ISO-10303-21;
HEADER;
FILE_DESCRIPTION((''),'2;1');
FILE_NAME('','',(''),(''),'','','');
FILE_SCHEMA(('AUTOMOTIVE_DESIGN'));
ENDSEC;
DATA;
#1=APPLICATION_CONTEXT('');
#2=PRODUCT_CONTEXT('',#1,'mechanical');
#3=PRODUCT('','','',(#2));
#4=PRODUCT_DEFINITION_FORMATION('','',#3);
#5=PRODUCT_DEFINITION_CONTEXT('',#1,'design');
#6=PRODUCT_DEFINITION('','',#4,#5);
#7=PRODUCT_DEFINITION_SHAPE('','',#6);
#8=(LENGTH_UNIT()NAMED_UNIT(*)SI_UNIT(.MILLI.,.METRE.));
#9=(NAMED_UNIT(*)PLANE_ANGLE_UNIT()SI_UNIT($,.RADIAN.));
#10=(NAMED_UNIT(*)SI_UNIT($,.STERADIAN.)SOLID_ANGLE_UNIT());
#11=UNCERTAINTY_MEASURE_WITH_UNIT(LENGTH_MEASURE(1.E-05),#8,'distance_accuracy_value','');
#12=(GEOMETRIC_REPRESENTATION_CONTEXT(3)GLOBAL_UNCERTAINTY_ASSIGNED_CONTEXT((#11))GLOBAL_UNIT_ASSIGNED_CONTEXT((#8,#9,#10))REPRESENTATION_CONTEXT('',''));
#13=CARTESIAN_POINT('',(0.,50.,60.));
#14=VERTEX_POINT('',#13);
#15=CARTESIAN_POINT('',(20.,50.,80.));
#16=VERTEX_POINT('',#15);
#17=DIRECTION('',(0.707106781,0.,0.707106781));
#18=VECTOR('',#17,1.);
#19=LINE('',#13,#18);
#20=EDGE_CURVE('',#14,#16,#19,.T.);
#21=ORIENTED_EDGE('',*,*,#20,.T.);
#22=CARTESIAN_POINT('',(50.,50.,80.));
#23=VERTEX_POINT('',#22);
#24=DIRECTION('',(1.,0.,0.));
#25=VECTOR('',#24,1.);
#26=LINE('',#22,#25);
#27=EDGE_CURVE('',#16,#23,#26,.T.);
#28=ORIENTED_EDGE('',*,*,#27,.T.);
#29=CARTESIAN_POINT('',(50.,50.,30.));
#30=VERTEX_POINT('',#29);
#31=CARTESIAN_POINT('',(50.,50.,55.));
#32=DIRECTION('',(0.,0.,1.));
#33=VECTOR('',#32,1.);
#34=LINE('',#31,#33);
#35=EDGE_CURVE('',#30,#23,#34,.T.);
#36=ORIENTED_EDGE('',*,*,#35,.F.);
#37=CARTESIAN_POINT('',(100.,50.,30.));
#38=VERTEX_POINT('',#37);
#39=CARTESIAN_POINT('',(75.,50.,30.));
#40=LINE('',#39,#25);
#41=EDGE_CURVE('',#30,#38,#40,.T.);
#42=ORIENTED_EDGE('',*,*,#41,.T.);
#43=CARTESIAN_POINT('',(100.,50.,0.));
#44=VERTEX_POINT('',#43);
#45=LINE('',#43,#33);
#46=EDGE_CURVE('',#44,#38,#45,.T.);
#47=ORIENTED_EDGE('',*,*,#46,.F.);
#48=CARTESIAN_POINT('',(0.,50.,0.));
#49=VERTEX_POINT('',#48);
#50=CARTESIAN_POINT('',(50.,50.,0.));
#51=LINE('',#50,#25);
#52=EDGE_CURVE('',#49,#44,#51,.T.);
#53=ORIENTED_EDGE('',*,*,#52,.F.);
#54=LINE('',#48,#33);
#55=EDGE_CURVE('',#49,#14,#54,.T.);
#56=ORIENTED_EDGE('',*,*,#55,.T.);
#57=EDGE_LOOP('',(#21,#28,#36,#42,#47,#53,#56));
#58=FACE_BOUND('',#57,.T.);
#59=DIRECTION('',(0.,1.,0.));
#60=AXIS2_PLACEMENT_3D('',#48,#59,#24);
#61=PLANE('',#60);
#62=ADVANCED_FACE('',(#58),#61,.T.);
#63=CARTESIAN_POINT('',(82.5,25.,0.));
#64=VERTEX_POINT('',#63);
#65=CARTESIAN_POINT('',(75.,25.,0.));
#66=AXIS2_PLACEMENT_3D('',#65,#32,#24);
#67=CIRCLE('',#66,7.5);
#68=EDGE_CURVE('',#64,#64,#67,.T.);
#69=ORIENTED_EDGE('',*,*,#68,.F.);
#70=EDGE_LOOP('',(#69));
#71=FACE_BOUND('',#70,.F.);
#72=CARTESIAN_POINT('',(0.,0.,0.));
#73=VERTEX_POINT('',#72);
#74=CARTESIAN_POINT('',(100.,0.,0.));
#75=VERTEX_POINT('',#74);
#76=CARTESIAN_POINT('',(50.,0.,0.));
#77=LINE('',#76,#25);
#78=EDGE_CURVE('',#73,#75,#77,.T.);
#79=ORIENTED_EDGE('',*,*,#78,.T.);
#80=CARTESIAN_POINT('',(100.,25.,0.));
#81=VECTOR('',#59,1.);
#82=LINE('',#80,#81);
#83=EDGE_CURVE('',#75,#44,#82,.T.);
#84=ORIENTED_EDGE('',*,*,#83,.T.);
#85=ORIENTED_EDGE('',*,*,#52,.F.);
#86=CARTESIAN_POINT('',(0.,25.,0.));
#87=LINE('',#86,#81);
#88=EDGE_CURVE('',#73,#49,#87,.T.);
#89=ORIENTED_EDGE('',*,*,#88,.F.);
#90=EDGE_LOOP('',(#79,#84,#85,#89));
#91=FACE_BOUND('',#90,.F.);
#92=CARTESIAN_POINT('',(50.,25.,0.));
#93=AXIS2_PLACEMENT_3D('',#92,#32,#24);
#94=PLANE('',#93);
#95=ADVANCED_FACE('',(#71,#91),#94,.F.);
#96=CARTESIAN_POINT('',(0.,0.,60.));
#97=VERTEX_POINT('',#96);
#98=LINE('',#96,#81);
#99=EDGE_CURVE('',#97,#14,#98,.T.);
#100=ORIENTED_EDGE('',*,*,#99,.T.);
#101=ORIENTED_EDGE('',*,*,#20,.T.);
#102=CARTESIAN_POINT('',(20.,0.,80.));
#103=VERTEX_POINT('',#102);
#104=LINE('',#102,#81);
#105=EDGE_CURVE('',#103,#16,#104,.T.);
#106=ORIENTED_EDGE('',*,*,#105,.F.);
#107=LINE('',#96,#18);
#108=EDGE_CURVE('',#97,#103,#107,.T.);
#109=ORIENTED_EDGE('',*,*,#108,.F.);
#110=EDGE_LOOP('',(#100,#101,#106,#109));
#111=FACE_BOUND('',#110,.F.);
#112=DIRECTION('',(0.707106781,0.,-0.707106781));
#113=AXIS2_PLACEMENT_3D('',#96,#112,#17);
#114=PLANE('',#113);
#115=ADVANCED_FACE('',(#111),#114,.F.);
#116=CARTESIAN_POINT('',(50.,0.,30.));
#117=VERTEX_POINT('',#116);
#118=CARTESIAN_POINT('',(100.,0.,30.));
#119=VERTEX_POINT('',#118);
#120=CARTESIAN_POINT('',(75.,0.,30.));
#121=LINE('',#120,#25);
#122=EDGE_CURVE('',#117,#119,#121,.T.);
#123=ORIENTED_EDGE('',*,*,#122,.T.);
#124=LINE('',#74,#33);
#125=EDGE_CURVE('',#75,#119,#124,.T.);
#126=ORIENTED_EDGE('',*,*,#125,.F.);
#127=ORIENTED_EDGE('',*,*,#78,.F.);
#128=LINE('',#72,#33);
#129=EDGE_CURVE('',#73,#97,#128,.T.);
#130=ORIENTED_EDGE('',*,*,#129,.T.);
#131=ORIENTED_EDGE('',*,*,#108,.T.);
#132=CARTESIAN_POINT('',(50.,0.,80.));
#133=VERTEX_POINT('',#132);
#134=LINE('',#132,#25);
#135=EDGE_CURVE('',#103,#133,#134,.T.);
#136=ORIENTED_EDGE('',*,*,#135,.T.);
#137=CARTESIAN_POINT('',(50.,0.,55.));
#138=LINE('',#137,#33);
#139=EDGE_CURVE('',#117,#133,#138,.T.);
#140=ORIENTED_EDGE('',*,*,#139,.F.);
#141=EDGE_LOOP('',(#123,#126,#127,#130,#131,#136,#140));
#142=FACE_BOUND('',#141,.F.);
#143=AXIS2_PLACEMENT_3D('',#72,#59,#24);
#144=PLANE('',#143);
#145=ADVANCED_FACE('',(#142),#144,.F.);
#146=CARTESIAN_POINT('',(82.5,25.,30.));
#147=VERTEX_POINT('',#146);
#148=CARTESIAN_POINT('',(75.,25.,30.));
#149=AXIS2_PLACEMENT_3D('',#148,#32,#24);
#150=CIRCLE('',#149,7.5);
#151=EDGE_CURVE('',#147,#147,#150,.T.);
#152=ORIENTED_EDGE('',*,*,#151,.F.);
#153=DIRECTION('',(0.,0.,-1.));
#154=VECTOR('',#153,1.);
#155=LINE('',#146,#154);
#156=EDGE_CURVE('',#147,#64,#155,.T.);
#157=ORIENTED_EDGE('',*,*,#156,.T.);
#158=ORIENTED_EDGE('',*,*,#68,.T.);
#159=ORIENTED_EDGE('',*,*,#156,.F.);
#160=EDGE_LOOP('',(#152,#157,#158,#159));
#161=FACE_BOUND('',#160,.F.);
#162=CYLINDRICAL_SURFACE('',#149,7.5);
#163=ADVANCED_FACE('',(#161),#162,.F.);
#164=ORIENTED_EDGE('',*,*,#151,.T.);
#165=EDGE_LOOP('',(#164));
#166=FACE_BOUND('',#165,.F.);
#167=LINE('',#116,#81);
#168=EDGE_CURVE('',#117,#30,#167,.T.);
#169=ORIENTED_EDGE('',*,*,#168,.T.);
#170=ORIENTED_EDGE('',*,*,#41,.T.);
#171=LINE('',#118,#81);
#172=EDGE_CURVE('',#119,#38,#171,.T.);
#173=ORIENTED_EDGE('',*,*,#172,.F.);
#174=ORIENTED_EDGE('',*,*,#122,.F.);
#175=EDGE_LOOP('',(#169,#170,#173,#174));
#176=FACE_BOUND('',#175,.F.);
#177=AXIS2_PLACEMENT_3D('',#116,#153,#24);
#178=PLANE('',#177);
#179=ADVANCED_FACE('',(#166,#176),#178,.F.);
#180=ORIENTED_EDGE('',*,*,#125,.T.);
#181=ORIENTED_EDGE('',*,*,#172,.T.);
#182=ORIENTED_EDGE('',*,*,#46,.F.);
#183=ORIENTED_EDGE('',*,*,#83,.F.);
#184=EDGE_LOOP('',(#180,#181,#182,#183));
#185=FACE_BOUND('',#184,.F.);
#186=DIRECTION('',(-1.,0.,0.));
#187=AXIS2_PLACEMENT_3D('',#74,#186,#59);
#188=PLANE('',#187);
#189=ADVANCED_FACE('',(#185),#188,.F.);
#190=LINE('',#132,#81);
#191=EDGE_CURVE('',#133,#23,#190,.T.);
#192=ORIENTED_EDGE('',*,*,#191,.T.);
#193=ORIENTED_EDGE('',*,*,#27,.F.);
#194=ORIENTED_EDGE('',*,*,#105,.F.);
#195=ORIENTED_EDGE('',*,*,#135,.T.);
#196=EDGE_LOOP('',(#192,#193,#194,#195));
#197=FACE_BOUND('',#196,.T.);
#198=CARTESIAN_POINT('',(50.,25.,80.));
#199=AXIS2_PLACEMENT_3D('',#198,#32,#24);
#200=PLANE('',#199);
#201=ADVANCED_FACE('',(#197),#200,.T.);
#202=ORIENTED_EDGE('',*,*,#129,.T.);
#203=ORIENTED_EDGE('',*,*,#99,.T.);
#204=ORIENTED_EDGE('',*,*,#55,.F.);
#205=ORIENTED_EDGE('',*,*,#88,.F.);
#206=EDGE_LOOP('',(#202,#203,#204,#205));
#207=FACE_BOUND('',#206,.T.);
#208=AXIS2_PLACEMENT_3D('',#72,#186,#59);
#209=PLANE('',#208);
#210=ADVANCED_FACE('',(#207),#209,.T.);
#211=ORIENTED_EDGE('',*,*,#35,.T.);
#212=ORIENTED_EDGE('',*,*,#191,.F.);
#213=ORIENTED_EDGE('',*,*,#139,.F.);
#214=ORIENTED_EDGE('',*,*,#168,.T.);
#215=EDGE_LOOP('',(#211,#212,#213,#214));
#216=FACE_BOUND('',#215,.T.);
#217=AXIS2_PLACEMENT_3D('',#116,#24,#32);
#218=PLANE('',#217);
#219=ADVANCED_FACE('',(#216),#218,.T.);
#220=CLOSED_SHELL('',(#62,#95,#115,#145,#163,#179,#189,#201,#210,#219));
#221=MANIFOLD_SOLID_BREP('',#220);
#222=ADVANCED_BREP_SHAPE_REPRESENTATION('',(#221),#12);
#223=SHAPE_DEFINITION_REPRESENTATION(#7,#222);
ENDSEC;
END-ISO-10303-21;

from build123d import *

# Parameters (mm, degrees)
F0_W     = 100
F0_H     = 50
F1_DEPTH = 80
F2_W     = 50
F2_H     = 50
F3_DEPTH = 50
F5_DEPTH = 50
F6_R     = 7.5
F7_DEPTH = 30


with BuildPart() as f1:
    # F0 (on Top) → F1 (new body)
    with BuildSketch(Plane.XY):
        with Locations((50, 25)):
            Rectangle(F0_W, F0_H)
    extrude(amount=F1_DEPTH)

    # F2 (on face) → F3 (cut, through all)
    with BuildSketch(Plane.XZ):
        with Locations((75, 55)):
            Rectangle(F2_W, F2_H)
    extrude(amount=-F3_DEPTH, mode=Mode.SUBTRACT)

    # F4 (on face) → F5 (cut, through all)
    with BuildSketch(Plane.XZ):
        Polygon((20, 80), (0, 80), (0, 60), align=None)
    extrude(amount=-F5_DEPTH, mode=Mode.SUBTRACT)

    # F6 (on face) → F7 (cut, through all)
    with BuildSketch(Plane.XY.offset(30)):
        with Locations((75, 25)):
            Circle(F6_R)
    extrude(amount=-F7_DEPTH, mode=Mode.SUBTRACT)


solid = f1.part
